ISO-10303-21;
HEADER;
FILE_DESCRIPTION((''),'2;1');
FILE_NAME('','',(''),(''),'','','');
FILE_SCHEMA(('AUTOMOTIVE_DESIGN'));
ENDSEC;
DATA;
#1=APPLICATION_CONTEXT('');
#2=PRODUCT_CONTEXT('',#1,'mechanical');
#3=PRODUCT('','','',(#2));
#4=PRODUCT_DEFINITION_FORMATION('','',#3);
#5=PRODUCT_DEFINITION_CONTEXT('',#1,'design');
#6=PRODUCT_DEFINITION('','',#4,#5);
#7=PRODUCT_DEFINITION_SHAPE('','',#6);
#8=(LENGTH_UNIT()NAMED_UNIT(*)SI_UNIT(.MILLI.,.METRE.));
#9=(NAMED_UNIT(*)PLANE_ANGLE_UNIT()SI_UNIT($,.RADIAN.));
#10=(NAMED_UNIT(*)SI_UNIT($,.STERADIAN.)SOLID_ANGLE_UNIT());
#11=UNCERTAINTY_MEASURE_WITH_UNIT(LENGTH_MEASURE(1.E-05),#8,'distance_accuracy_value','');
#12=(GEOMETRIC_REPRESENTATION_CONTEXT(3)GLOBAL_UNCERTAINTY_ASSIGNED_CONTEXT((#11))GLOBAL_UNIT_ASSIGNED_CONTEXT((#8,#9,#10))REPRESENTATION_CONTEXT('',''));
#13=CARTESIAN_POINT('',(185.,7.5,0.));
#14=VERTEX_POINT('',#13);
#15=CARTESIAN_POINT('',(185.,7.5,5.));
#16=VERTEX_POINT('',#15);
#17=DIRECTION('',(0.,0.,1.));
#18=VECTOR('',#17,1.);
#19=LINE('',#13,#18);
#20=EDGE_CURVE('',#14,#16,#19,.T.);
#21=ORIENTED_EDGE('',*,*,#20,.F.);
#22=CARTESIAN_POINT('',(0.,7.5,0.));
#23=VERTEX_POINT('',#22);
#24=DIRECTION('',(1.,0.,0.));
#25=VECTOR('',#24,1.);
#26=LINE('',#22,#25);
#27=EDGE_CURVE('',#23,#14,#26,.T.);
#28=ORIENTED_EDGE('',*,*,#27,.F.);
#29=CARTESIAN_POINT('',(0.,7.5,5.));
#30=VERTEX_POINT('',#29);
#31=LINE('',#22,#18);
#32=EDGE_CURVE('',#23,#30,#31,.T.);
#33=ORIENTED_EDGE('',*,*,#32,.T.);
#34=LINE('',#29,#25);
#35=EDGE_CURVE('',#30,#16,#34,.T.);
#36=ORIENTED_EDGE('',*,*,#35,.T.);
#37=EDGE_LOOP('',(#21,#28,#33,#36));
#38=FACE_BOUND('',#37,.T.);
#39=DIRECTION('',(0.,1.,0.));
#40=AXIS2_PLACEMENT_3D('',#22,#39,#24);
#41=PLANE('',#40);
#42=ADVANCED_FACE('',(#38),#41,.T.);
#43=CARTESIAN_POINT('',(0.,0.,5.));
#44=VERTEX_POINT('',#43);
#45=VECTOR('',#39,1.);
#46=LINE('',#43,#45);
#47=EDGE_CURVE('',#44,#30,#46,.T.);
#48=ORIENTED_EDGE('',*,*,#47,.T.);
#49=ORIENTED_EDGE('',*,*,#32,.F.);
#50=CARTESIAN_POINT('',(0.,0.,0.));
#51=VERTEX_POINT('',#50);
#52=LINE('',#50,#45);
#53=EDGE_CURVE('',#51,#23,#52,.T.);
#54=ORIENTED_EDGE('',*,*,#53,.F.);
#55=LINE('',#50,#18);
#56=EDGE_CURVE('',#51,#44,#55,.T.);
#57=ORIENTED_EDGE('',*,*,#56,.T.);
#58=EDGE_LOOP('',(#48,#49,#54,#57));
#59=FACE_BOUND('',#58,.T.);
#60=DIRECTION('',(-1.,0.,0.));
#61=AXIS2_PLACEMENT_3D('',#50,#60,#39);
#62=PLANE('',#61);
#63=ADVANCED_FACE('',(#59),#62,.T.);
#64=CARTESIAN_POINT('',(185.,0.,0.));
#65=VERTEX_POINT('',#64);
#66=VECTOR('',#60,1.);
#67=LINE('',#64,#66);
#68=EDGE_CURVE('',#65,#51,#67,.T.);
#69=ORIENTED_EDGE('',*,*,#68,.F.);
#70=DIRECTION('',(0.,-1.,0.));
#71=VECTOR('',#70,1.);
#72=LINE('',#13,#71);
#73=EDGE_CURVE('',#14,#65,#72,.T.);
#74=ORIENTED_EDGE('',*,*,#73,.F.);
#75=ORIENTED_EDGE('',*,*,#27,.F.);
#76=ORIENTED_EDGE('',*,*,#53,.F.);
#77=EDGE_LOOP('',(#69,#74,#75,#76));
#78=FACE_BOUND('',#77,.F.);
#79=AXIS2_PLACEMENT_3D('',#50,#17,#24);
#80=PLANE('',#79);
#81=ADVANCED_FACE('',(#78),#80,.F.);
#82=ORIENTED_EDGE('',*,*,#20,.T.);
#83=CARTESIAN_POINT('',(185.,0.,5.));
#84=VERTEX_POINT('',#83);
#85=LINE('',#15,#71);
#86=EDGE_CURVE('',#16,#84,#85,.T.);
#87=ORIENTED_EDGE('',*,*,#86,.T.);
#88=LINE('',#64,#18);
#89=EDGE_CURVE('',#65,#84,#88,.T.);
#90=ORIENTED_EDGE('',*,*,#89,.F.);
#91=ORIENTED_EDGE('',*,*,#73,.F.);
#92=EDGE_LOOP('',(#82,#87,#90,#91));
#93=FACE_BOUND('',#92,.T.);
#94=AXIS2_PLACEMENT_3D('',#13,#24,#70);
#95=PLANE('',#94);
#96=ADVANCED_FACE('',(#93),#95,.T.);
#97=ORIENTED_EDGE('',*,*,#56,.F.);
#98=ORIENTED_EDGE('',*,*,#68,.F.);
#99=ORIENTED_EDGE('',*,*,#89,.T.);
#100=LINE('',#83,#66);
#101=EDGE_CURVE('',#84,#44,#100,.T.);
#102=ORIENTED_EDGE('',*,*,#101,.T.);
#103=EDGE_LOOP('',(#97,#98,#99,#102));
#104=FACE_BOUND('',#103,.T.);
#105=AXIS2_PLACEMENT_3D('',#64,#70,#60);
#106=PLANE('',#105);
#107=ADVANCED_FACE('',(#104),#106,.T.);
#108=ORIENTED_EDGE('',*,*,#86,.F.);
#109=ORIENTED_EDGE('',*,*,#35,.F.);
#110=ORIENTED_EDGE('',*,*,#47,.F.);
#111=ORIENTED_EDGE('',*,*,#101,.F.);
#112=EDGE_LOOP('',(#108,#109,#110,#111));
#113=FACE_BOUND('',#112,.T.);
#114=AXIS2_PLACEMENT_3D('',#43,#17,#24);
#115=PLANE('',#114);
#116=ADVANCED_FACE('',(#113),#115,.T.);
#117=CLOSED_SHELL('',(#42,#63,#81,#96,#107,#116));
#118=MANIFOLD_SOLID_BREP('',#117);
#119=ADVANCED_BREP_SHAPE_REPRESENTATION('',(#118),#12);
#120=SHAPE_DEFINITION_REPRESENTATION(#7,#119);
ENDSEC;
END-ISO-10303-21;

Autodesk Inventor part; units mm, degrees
ref_plane "YZ Plane" through (0, 0, 0) normal (1, 0, 0) x (0, 1, 0)
ref_plane "XZ Plane" through (0, 0, 0) normal (0, 1, 0) x (-1, 0, 0)
ref_plane "XY Plane" through (0, 0, 0) normal (0, 0, 1) x (1, 0, 0)
sketch "Sketch1" plane through (0, 0, 0) normal (0, 0, 1) x (1, 0, 0)
  line L0 (0, 0) -> (0, 7.5)
  line L1 (0, 0) -> (7.5, 0) construction
  line L2 (0, 7.5) -> (185, 7.5)
  line L3 (185, 7.5) -> (185, 0)
  line L4 (185, 0) -> (0, 0)
  dimension "d0" = 7.5
  dimension "d1" = 90
  dimension "d2" = 185
  dimension "d3" = 90
  dimension "d4" = 7.5
  dimension "d5" = 90
extrude "Extrusion1" add sketch "Sketch1" along normal blind 5
properties part number "line_edge_parkinglot_2_2"
